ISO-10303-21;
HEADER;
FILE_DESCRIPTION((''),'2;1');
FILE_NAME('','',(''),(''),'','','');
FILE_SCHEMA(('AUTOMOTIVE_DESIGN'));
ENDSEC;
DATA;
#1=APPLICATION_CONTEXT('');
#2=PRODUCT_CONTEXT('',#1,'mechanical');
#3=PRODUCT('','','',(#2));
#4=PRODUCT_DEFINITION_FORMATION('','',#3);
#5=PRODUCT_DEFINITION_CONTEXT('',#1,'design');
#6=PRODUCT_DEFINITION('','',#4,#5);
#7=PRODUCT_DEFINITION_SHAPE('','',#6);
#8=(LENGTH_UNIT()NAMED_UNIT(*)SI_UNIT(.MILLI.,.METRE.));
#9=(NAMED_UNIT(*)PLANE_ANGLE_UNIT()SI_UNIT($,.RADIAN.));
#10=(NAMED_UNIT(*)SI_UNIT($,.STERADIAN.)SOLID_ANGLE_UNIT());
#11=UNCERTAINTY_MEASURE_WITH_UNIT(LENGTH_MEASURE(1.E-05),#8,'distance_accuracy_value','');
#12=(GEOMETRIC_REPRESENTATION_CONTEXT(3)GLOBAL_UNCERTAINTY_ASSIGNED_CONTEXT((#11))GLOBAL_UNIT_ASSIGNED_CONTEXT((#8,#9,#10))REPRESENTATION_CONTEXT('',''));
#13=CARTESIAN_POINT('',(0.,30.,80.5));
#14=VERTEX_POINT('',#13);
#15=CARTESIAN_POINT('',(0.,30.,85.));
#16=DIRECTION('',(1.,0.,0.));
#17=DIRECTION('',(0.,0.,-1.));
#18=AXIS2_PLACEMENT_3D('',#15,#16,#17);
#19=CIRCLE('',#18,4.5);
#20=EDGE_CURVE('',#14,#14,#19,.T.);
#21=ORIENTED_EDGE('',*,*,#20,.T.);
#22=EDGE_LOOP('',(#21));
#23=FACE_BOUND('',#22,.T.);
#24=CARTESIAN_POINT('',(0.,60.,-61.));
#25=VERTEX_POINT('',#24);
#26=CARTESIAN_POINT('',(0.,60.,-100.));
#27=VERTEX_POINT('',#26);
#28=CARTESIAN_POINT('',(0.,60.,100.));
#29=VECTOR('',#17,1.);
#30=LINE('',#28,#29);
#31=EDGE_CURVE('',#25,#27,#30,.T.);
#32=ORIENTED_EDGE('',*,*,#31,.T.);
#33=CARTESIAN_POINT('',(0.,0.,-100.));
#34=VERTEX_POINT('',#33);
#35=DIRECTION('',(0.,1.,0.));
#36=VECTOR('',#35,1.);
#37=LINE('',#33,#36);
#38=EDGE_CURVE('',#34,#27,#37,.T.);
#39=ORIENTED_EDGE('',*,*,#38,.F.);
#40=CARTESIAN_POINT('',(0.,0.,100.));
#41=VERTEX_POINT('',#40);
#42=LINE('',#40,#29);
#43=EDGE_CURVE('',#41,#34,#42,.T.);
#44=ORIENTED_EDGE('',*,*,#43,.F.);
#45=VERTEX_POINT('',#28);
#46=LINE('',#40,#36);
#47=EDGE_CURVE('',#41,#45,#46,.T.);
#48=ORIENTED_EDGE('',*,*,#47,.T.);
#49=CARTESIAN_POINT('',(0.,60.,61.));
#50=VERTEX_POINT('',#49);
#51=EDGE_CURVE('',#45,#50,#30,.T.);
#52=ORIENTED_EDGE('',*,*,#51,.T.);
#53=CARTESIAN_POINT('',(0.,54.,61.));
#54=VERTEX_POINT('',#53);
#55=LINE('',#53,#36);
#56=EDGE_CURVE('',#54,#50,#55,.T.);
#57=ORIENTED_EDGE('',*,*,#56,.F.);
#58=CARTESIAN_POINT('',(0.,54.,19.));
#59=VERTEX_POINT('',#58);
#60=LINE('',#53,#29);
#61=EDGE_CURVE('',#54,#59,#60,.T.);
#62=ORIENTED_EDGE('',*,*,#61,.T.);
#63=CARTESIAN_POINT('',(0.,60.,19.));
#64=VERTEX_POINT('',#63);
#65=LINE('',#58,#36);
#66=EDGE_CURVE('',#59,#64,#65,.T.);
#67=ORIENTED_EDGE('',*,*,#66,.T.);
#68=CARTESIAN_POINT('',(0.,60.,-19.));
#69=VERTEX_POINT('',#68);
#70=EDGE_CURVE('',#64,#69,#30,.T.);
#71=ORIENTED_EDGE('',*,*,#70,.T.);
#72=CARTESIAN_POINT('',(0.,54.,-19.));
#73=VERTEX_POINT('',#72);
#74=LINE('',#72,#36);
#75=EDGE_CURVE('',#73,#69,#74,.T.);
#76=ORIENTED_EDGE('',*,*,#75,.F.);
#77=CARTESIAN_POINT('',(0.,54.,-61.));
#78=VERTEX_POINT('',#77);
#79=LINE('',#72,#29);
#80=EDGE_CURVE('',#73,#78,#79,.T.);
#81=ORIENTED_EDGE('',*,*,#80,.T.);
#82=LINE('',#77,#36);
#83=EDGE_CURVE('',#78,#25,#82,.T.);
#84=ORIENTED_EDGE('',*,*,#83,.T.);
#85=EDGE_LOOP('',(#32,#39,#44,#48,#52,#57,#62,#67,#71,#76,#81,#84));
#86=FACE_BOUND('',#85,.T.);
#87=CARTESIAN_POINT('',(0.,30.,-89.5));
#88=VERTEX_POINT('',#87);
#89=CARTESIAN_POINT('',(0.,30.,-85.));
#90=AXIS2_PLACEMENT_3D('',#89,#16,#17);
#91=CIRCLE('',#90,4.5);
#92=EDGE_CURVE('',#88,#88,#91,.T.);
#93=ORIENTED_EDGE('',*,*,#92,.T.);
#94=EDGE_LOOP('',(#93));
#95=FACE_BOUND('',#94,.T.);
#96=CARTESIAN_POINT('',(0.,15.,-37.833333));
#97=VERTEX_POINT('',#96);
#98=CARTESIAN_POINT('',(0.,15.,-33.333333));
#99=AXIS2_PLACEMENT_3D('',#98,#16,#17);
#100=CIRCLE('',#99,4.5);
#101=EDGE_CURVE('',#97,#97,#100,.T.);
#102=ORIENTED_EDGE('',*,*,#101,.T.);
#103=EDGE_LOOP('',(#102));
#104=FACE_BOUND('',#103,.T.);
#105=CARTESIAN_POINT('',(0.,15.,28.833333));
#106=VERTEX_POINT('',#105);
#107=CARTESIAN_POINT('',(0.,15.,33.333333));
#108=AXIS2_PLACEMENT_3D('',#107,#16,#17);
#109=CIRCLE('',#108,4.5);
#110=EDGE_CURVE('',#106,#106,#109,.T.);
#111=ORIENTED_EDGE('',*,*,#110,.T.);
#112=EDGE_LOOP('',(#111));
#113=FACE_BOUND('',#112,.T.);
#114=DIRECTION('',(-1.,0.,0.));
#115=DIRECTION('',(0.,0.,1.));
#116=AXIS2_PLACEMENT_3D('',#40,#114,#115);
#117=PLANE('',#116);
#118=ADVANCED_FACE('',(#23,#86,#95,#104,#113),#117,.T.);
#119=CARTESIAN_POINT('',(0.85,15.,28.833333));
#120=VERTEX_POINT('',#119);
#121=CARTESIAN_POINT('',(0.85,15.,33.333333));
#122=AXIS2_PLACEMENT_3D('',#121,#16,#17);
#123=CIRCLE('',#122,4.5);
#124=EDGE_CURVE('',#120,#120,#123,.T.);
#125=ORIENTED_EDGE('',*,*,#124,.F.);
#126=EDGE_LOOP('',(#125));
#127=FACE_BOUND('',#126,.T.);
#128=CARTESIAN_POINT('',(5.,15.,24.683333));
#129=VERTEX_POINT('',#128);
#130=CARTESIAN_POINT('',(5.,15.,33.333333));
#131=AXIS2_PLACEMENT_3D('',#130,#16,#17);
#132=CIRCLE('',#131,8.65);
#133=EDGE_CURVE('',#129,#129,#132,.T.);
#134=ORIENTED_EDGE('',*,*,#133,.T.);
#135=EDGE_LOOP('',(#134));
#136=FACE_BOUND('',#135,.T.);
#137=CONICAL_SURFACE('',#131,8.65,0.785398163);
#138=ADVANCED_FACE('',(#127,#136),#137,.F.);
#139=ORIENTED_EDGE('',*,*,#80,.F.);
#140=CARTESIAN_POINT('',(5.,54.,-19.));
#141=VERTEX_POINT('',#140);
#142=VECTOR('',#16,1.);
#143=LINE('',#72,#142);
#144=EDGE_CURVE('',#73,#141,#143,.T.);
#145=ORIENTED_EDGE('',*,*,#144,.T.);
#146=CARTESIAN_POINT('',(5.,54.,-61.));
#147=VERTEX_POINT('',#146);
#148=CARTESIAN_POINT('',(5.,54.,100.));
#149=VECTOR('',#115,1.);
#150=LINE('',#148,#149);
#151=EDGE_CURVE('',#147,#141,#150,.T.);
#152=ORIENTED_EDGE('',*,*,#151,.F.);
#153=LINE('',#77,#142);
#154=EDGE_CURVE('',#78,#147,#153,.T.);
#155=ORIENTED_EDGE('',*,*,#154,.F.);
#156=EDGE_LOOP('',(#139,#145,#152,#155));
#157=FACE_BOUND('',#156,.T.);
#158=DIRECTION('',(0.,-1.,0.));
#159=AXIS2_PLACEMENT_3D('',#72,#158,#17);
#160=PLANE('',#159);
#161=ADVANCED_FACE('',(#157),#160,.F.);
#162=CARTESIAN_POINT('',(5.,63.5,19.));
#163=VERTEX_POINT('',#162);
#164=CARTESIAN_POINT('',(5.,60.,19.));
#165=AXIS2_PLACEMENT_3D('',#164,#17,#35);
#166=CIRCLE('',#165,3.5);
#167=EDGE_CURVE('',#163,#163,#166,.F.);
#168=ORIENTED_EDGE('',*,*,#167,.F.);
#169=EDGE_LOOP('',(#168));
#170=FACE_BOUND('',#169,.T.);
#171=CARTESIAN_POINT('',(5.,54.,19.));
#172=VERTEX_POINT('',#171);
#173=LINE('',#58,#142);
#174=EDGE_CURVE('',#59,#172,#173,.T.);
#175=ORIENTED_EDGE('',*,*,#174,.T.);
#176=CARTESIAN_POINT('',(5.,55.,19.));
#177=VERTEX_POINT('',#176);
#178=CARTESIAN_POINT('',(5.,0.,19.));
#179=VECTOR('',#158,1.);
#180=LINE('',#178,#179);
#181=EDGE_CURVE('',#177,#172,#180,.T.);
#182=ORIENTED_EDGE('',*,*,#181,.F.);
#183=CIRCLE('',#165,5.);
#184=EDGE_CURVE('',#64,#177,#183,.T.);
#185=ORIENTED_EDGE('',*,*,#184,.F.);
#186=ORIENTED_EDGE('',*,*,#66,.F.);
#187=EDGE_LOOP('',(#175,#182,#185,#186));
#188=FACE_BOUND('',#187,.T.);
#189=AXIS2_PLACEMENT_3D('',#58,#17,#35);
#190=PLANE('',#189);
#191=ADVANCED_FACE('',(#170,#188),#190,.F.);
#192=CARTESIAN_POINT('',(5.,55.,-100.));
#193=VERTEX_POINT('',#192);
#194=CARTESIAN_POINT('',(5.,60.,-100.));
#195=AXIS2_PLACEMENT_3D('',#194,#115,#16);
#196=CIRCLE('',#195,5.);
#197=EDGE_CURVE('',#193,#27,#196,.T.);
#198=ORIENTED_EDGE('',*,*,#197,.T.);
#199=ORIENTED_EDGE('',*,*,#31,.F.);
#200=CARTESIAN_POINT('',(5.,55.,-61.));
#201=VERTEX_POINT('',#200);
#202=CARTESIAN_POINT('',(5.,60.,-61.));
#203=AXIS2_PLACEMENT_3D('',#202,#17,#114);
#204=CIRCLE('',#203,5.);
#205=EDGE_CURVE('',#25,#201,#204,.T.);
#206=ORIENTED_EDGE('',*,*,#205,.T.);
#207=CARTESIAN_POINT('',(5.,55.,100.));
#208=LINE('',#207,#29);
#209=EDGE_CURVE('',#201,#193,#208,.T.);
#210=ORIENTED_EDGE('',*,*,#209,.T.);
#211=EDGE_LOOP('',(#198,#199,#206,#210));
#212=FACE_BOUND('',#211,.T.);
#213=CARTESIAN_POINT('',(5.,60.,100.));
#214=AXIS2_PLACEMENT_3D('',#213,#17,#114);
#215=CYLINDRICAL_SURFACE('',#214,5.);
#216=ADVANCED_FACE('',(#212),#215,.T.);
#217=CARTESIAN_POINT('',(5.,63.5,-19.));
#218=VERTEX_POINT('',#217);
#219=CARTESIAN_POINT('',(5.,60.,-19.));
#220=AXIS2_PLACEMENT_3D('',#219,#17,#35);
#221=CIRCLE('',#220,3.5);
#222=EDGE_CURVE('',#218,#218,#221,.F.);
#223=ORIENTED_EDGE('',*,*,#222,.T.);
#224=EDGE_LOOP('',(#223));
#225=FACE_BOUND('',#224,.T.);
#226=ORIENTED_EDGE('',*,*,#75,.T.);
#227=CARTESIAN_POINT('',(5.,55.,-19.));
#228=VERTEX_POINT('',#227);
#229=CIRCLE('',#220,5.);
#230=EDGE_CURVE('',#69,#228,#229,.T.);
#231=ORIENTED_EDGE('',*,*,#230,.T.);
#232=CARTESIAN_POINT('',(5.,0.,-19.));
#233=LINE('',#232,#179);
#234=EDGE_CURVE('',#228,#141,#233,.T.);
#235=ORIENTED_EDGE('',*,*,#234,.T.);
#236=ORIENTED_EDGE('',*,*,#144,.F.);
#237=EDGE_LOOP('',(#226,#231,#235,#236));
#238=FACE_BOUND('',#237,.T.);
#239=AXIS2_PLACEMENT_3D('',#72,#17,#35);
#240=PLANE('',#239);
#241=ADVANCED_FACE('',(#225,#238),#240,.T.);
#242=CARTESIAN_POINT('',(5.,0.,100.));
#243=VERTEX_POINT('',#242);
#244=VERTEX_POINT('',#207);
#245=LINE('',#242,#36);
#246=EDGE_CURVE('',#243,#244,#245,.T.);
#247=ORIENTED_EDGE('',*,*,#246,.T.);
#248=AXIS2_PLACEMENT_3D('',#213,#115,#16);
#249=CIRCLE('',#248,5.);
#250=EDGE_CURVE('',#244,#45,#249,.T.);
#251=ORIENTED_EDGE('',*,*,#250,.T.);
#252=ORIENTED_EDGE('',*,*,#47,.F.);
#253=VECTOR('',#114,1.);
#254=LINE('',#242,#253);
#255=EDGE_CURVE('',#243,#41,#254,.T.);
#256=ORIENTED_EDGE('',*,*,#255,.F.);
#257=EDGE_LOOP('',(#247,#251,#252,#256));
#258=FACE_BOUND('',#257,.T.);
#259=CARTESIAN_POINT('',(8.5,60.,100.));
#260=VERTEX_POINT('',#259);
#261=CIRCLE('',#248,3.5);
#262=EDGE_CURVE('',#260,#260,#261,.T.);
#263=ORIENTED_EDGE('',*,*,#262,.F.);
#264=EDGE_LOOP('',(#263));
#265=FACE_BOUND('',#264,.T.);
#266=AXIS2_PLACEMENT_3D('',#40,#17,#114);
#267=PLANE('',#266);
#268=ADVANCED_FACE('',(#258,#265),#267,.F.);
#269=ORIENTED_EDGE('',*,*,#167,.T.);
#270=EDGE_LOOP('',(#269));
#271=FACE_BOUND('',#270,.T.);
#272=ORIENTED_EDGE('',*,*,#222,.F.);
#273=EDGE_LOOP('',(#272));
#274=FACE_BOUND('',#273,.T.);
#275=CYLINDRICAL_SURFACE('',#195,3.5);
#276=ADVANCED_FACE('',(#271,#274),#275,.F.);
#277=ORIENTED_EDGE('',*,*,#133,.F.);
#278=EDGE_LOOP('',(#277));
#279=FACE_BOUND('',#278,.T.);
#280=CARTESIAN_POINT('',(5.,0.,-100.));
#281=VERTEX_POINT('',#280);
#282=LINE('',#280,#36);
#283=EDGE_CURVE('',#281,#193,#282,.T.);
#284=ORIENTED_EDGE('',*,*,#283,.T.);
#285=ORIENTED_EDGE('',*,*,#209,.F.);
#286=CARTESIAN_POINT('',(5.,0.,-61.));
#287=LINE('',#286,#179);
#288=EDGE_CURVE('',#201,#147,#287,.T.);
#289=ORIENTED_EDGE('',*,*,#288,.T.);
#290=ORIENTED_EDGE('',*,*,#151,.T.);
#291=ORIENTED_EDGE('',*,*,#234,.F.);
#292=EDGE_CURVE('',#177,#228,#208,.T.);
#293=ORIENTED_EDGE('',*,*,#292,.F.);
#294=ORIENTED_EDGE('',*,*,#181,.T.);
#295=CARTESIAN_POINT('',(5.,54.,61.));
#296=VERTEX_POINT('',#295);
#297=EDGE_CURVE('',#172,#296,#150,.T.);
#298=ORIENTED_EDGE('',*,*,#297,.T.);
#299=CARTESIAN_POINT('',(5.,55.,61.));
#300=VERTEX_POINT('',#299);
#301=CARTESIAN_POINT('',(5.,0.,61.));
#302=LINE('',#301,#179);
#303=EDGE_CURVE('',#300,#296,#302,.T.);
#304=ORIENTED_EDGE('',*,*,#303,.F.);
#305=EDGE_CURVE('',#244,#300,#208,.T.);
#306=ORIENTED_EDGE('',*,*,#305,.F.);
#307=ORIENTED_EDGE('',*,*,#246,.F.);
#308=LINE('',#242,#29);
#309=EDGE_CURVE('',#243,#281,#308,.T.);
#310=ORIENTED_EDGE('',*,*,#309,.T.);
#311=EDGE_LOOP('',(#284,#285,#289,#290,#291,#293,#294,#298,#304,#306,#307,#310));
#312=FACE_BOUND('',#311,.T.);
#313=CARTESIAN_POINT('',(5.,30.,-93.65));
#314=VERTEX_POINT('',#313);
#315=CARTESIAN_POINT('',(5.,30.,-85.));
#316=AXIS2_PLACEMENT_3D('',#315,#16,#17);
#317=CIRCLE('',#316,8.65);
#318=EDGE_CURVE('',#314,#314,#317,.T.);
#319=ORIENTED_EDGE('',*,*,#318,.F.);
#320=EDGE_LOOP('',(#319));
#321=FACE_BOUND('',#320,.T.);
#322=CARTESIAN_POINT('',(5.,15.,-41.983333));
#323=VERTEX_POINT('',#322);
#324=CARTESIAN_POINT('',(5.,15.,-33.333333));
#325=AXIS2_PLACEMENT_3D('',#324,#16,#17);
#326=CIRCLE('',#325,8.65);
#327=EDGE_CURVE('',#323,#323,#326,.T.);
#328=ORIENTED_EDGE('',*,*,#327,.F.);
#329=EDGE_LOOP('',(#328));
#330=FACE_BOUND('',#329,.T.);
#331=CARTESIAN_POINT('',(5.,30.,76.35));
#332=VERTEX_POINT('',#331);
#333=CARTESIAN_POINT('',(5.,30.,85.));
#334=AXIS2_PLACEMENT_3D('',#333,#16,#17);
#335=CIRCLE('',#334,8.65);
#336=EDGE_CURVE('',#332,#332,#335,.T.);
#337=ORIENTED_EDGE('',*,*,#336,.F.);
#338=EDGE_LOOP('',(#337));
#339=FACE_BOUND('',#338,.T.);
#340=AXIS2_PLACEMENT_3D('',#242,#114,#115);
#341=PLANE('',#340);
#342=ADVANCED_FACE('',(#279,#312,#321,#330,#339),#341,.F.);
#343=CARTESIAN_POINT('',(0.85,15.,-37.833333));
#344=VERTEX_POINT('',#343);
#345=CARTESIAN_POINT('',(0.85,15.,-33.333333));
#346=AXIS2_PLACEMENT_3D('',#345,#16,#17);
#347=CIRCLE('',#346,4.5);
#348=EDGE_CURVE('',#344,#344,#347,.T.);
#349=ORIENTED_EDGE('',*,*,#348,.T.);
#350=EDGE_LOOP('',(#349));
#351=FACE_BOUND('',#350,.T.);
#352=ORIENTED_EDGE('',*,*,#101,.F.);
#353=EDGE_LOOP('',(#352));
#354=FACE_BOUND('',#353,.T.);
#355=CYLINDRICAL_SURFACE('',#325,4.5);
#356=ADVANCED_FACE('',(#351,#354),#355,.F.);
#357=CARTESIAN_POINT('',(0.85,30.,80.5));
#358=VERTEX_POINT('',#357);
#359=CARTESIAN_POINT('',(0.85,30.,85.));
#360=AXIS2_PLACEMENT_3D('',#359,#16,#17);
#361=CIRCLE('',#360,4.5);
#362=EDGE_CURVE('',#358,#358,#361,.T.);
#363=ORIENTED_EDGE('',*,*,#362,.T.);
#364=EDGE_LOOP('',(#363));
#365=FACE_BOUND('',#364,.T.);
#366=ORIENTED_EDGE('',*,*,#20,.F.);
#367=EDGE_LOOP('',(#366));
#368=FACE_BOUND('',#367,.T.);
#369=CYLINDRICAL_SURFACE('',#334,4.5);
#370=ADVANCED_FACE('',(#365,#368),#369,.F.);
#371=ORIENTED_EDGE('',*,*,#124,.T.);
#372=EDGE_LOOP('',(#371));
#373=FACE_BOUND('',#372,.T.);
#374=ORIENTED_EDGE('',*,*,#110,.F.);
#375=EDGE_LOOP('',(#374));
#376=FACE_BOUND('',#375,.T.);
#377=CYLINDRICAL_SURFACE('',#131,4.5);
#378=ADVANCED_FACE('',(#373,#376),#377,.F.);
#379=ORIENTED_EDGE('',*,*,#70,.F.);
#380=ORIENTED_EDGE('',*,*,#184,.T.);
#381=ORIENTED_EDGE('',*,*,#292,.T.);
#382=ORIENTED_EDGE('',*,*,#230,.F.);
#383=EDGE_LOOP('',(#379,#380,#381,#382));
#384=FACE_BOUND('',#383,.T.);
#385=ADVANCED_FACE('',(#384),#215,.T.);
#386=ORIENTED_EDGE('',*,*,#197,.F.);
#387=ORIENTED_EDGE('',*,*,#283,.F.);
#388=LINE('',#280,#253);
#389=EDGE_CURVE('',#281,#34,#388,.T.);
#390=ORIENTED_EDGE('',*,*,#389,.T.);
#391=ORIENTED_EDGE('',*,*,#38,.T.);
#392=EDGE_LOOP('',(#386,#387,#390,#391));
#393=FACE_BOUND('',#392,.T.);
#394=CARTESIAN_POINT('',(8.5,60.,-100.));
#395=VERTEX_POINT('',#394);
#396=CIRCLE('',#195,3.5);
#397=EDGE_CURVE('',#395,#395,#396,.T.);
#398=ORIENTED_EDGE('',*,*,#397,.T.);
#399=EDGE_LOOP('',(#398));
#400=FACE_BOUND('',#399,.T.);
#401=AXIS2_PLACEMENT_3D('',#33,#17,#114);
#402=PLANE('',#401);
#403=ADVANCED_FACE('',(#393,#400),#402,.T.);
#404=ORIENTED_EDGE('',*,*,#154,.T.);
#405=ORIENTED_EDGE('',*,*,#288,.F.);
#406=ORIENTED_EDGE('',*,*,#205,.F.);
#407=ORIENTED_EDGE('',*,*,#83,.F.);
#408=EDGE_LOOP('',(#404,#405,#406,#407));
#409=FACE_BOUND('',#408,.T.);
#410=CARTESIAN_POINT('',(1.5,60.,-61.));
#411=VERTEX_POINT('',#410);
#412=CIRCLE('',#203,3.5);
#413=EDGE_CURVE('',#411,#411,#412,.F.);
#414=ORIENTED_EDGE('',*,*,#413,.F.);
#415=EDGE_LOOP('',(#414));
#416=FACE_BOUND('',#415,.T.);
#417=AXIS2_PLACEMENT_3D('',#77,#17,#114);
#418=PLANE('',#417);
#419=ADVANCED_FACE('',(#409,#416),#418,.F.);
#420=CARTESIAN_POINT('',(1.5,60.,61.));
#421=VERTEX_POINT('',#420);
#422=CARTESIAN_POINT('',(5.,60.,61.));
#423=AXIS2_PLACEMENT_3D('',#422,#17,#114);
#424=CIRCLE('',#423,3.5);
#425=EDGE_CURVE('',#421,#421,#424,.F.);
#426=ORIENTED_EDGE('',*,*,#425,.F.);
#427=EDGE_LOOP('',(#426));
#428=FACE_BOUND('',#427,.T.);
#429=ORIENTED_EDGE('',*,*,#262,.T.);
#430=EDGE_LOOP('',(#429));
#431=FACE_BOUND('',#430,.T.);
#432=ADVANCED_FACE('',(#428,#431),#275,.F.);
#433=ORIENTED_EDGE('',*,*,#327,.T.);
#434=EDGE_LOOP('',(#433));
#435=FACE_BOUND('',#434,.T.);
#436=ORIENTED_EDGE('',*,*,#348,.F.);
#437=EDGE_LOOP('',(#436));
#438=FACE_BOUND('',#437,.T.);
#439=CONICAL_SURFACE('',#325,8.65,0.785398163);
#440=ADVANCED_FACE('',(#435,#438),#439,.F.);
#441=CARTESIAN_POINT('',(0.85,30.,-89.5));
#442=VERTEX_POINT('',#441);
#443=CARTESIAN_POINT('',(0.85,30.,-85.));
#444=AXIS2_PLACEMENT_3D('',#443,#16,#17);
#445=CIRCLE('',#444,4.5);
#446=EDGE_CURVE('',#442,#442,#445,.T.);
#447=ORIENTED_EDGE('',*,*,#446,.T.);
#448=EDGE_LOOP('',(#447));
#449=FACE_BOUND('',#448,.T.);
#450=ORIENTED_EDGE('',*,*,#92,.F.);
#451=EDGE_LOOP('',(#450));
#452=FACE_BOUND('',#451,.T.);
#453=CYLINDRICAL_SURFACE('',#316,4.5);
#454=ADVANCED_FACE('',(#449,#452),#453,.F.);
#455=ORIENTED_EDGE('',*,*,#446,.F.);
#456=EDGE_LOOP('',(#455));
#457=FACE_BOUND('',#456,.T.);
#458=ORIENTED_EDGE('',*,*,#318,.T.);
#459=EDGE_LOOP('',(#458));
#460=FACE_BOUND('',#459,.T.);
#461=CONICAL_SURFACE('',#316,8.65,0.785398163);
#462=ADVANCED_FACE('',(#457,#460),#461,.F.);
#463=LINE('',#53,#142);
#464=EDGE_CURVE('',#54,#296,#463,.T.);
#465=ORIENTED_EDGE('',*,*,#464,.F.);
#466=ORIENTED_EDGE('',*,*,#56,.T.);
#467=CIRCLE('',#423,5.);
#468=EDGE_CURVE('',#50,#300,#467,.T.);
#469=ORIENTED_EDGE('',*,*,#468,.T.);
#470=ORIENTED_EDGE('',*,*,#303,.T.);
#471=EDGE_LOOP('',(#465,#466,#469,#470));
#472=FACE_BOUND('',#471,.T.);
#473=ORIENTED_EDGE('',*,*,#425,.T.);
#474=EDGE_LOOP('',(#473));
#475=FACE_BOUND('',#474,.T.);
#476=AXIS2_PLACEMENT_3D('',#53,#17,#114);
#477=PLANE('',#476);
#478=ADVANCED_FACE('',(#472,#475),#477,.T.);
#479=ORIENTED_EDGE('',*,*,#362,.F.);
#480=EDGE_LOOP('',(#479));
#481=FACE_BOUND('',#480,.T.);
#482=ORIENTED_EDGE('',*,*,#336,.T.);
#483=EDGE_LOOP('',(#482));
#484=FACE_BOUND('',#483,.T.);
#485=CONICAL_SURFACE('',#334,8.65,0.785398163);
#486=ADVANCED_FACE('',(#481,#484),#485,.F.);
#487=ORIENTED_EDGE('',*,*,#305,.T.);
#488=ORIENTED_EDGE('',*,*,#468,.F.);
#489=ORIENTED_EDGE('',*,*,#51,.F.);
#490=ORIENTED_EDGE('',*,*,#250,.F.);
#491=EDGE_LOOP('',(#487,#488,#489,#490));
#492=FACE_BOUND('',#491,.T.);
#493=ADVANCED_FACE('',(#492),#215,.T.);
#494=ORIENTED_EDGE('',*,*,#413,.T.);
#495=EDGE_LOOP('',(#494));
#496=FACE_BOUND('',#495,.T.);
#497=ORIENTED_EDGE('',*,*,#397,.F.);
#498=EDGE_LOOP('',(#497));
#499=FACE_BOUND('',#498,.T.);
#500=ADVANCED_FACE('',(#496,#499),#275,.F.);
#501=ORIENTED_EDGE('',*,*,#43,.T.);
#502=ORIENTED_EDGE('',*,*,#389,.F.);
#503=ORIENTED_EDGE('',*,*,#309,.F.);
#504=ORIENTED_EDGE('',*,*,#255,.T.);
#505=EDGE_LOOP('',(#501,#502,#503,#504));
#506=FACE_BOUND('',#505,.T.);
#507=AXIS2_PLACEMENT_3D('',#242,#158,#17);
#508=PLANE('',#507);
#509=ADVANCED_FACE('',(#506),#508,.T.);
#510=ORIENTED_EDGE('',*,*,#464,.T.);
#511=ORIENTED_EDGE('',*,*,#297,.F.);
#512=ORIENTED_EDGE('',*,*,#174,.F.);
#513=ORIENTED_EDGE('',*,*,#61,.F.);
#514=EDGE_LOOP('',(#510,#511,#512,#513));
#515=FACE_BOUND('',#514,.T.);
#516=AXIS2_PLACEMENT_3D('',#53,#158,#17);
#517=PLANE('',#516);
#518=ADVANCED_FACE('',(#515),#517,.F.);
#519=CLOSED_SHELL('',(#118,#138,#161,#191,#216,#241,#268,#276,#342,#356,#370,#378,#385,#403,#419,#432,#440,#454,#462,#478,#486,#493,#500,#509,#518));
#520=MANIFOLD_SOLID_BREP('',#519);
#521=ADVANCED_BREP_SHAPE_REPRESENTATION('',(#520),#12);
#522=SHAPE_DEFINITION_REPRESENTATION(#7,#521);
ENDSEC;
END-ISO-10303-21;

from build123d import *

# Parameters (mm, degrees)
SKETCH1_W                                      = 5
SKETCH1_H                                      = 60
EXTRUDE_THIN1_DEPTH                            = 100
SKETCH3_R                                      = 5
SKETCH13_R                                     = 3.5
CUT_EXTRUDE1_DEPTH                             = 211.535032714
CSK_FOR_M8_FLAT_HEAD_MACHINE_SCREW1_AT_2_COUNT = 2
CSK_FOR_M8_FLAT_HEAD_MACHINE_SCREW1_AT_2_PITCH = 53.800041305
F_2CUTS_DEPTH                                  = 120.373363863
F_2CUTS_DEPTH_BACK                             = 120.373363863
SKETCH23_W                                     = 42
SKETCH23_H                                     = 11


with BuildPart() as part:
    # Sketch1 → Extrude-Thin1 (new, symmetric)
    with BuildSketch(Plane.XY):
        with Locations((2.5, 30)):
            Rectangle(SKETCH1_W, SKETCH1_H)
    extrude(amount=EXTRUDE_THIN1_DEPTH, both=True)

    # Sweep5: sweep along a curve in space
    with BuildLine() as sweep5_path:
        Line((5, 60, 100), (5, 60, -100))
    # Sketch3 → Sweep5 (sweep)
    with BuildSketch(Plane.XY.offset(100)):
        with Locations((5, 60)):
            Circle(SKETCH3_R)
    sweep(path=sweep5_path.line)

    # Sketch13 → Cut-Extrude1 (cut, through all)
    with BuildSketch(Plane.XY.offset(100)):
        with Locations((5, 60)):
            Circle(SKETCH13_R)
    extrude(amount=-CUT_EXTRUDE1_DEPTH, mode=Mode.SUBTRACT)

    # Sketch15 → CSK for M8 Flat Head Machine Screw1 (revolve, cut)
    with BuildSketch(Plane(origin=(5, 30, 85), x_dir=(0, 0, -1), z_dir=(0, 1, 0))):
        Polygon((0, 0), (0, 5), (4.5, 5), (4.5, 4.15), (8.65, 0), align=None)
    csk_for_m8_flat_head_machine_screw1 = revolve(axis=Axis((11.35, 30, 85), (-1, 0, 0)), mode=Mode.SUBTRACT)

    # CSK for M8 Flat Head Machine Screw1 at 2: CSK for M8 Flat Head Machine Screw1 ×2
    with Locations(*[Vector(0, -0.2788101948639555, -0.9603462267536241) * (i * CSK_FOR_M8_FLAT_HEAD_MACHINE_SCREW1_AT_2_PITCH) for i in range(1, CSK_FOR_M8_FLAT_HEAD_MACHINE_SCREW1_AT_2_COUNT)]):
        add(csk_for_m8_flat_head_machine_screw1, mode=Mode.SUBTRACT)

    # Mirror1: CSK for M8 Flat Head Machine Screw1 across plane
    add(csk_for_m8_flat_head_machine_screw1.mirror(Plane.XY), mode=Mode.SUBTRACT)

    # Mirror1 copy 1 sketch → Mirror1 copy 1 (revolve, cut)
    with BuildSketch(Plane(origin=(5, 15, -33.333333333), x_dir=(0, 0, 1), z_dir=(0, 1, 0))):
        Polygon((0, 0), (0, -5), (4.5, -5), (4.5, -4.15), (8.65, 0), align=None)
    revolve(axis=Axis((11.35, 15, -33.333333333), (1, 0, 0)), mode=Mode.SUBTRACT)

    # Sketch23 → 2Cuts (cut, two sides: drawn at the far end of the back side and taken through both)
    with BuildSketch(Plane(origin=(5, 0, 0), x_dir=(0, 0, -1), z_dir=(1, 0, 0)).offset(-F_2CUTS_DEPTH_BACK)):
        with Locations((-40, 59.5)):
            Rectangle(SKETCH23_W, SKETCH23_H)
        with Locations((40, 59.5)):
            Rectangle(SKETCH23_W, SKETCH23_H)
    extrude(amount=F_2CUTS_DEPTH + F_2CUTS_DEPTH_BACK, mode=Mode.SUBTRACT)


solid = part.part
